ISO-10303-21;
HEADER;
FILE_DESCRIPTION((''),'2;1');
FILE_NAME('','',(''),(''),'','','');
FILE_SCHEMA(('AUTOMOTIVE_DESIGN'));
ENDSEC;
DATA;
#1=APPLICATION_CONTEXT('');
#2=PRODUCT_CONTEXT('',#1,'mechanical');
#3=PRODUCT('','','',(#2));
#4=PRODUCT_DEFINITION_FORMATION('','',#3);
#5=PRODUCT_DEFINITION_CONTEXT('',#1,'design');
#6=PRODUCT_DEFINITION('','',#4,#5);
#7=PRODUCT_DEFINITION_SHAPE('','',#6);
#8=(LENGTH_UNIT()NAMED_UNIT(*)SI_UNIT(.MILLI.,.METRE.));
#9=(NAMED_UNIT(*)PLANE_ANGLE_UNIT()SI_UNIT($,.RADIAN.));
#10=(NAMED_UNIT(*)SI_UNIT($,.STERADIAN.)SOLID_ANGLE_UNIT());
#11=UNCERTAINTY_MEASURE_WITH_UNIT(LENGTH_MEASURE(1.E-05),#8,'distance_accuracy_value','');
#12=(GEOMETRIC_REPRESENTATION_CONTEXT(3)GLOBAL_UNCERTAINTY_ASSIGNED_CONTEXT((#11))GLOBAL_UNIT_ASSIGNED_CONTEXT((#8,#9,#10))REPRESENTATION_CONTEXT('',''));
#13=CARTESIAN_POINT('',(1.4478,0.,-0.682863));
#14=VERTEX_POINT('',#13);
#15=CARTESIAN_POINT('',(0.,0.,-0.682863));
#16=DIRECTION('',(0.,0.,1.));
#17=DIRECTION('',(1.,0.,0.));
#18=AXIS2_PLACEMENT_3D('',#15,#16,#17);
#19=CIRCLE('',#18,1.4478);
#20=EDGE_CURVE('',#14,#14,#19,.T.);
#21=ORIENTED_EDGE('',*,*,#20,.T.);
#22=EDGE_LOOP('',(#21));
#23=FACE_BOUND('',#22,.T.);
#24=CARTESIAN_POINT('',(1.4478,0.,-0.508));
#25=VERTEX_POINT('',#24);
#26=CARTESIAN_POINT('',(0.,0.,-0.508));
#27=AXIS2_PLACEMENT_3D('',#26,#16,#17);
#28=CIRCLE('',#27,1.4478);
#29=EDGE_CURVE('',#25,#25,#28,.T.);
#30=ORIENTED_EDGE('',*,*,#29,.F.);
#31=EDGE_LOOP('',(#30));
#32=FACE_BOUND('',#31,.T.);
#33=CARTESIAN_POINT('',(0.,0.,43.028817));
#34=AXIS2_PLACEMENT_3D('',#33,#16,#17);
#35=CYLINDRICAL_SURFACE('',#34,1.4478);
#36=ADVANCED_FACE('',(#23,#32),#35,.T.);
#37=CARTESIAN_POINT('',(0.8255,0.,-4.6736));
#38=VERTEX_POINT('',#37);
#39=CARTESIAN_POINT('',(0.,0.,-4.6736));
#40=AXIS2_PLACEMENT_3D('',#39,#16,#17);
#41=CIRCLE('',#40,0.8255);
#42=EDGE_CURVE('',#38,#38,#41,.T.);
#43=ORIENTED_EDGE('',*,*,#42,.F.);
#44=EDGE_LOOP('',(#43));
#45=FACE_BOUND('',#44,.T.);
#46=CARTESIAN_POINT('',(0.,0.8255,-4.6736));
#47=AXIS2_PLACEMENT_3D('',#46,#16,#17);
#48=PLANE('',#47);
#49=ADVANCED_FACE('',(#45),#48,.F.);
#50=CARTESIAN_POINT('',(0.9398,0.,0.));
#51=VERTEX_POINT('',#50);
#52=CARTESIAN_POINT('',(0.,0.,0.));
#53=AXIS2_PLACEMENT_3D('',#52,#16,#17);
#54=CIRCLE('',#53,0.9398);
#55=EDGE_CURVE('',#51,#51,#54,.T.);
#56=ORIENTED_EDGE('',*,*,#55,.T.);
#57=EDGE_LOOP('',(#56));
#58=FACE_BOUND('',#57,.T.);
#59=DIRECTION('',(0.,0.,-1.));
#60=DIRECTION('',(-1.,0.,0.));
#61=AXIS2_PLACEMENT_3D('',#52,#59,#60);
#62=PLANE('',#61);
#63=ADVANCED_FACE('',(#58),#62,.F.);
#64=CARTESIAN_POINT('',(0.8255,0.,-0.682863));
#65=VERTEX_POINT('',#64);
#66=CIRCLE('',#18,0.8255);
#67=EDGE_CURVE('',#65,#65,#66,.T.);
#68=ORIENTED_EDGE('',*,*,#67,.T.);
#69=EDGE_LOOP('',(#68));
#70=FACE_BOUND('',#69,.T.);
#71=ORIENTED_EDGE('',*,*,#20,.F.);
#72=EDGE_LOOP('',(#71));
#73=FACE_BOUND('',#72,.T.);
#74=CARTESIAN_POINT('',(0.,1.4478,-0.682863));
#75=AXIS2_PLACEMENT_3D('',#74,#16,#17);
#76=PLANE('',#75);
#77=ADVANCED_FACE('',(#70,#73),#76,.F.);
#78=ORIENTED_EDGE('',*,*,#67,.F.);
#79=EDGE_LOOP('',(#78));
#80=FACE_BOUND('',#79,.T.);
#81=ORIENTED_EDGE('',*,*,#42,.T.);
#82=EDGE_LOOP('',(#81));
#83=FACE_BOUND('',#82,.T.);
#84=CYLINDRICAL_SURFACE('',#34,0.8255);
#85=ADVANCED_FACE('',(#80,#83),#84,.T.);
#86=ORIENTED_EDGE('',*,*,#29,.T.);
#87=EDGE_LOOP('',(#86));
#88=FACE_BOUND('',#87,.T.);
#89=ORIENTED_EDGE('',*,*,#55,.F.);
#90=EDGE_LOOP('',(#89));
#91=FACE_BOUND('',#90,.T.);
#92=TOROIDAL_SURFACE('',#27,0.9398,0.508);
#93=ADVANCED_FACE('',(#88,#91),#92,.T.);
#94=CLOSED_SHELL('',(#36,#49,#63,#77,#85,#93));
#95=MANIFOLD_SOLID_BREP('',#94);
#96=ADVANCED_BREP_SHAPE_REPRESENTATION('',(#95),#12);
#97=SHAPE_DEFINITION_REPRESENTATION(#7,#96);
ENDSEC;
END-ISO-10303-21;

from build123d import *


with BuildPart() as part:
    # Sketch1 → Revolve1 (revolve)
    with BuildSketch(Plane(origin=(0, 0, 0), x_dir=(0, 0, -1), z_dir=(1, 0, 0))):
        with BuildLine():
            Line((0, 0), (0, 0.9398))
            ThreePointArc((0, 0.9398), (0.148789755, 1.299010245), (0.508, 1.4478))
            Line((0.508, 1.4478), (0.682863215, 1.4478))
            Line((0.682863215, 1.4478), (0.682863215, 0.8255))
            Line((0.682863215, 0.8255), (4.6736, 0.8255))
            Line((4.6736, 0.8255), (4.6736, 0))
            Line((4.6736, 0), (0, 0))
        make_face()
    revolve(axis=Axis((0, 0, 43.028816868), (0, 0, -1)))


solid = part.part
